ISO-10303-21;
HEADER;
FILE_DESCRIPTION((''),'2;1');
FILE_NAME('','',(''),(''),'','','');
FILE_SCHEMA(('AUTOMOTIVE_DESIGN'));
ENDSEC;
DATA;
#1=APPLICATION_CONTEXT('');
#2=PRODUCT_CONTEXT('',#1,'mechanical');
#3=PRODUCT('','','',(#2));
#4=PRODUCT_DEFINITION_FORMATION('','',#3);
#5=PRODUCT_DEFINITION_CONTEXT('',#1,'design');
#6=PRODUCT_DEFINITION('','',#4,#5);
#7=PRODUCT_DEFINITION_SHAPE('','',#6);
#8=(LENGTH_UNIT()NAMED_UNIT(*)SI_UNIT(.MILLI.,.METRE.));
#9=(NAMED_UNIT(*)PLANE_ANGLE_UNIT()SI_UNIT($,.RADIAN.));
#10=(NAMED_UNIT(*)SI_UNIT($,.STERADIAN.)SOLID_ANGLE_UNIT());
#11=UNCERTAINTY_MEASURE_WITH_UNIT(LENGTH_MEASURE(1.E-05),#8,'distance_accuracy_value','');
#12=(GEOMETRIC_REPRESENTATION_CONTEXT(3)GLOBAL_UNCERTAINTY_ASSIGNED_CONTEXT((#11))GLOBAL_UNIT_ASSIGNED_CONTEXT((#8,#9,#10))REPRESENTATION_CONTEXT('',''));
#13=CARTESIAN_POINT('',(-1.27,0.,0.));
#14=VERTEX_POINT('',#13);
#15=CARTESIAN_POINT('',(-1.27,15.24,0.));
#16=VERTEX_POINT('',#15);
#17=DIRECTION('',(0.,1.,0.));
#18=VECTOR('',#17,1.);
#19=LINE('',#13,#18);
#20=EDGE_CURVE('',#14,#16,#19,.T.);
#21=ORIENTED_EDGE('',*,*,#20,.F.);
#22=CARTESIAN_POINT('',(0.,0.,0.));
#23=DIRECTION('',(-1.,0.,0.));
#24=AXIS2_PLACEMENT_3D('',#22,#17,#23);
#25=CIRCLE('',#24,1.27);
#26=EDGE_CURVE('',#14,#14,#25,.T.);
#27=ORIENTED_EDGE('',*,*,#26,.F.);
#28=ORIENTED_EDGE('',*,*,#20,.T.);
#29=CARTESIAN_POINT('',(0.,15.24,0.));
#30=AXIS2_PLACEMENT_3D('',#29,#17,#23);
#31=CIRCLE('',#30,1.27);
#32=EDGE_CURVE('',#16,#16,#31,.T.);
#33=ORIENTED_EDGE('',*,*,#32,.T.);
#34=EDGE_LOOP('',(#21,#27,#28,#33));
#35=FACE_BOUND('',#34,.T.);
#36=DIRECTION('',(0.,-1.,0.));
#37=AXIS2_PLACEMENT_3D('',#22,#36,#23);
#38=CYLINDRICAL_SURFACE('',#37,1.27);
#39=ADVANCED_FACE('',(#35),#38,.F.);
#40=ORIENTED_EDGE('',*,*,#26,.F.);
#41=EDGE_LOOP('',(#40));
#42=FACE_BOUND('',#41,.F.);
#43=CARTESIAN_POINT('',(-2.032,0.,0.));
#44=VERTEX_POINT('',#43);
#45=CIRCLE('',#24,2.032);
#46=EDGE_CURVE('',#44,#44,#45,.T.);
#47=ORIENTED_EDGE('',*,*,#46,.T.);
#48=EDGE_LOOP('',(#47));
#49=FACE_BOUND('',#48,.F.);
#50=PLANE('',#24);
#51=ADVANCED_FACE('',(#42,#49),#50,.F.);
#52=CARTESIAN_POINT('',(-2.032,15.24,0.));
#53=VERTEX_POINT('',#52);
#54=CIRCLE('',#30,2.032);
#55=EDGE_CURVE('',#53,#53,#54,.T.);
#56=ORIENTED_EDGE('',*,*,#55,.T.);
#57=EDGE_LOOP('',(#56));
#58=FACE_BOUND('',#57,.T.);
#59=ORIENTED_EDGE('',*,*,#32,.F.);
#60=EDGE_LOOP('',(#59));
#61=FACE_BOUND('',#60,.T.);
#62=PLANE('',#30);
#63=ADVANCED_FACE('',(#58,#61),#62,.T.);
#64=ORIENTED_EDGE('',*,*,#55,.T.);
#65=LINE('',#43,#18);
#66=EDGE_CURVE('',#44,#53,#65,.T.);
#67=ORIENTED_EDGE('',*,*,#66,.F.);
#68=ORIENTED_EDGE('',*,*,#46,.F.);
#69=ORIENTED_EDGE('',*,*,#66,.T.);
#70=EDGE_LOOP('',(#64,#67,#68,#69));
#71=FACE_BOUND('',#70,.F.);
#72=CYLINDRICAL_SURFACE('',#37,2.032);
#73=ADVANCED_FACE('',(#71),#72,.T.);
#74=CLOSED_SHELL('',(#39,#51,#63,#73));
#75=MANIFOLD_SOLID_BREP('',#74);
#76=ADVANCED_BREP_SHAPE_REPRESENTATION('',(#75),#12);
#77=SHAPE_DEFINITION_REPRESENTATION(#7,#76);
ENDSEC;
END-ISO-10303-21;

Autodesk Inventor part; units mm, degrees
ref_plane "YZ Plane" through (0, 0, 0) normal (1, 0, 0) x (0, 1, 0)
ref_plane "XZ Plane" through (0, 0, 0) normal (0, 1, 0) x (-1, 0, 0)
ref_plane "XY Plane" through (0, 0, 0) normal (0, 0, 1) x (1, 0, 0)
sketch "Sketch1" plane through (0, 0, 0) normal (0, 1, 0) x (-1, 0, 0)
  circle A0 centre (0, 0) radius 1.27
  circle A1 centre (0, 0) radius 2.032
  dimension "d0" = 2.54
  dimension "d1" = 4.064
extrude "Extrusion1" add sketch "Sketch1" along normal blind 15.24
properties part number "spacer for IMU"
